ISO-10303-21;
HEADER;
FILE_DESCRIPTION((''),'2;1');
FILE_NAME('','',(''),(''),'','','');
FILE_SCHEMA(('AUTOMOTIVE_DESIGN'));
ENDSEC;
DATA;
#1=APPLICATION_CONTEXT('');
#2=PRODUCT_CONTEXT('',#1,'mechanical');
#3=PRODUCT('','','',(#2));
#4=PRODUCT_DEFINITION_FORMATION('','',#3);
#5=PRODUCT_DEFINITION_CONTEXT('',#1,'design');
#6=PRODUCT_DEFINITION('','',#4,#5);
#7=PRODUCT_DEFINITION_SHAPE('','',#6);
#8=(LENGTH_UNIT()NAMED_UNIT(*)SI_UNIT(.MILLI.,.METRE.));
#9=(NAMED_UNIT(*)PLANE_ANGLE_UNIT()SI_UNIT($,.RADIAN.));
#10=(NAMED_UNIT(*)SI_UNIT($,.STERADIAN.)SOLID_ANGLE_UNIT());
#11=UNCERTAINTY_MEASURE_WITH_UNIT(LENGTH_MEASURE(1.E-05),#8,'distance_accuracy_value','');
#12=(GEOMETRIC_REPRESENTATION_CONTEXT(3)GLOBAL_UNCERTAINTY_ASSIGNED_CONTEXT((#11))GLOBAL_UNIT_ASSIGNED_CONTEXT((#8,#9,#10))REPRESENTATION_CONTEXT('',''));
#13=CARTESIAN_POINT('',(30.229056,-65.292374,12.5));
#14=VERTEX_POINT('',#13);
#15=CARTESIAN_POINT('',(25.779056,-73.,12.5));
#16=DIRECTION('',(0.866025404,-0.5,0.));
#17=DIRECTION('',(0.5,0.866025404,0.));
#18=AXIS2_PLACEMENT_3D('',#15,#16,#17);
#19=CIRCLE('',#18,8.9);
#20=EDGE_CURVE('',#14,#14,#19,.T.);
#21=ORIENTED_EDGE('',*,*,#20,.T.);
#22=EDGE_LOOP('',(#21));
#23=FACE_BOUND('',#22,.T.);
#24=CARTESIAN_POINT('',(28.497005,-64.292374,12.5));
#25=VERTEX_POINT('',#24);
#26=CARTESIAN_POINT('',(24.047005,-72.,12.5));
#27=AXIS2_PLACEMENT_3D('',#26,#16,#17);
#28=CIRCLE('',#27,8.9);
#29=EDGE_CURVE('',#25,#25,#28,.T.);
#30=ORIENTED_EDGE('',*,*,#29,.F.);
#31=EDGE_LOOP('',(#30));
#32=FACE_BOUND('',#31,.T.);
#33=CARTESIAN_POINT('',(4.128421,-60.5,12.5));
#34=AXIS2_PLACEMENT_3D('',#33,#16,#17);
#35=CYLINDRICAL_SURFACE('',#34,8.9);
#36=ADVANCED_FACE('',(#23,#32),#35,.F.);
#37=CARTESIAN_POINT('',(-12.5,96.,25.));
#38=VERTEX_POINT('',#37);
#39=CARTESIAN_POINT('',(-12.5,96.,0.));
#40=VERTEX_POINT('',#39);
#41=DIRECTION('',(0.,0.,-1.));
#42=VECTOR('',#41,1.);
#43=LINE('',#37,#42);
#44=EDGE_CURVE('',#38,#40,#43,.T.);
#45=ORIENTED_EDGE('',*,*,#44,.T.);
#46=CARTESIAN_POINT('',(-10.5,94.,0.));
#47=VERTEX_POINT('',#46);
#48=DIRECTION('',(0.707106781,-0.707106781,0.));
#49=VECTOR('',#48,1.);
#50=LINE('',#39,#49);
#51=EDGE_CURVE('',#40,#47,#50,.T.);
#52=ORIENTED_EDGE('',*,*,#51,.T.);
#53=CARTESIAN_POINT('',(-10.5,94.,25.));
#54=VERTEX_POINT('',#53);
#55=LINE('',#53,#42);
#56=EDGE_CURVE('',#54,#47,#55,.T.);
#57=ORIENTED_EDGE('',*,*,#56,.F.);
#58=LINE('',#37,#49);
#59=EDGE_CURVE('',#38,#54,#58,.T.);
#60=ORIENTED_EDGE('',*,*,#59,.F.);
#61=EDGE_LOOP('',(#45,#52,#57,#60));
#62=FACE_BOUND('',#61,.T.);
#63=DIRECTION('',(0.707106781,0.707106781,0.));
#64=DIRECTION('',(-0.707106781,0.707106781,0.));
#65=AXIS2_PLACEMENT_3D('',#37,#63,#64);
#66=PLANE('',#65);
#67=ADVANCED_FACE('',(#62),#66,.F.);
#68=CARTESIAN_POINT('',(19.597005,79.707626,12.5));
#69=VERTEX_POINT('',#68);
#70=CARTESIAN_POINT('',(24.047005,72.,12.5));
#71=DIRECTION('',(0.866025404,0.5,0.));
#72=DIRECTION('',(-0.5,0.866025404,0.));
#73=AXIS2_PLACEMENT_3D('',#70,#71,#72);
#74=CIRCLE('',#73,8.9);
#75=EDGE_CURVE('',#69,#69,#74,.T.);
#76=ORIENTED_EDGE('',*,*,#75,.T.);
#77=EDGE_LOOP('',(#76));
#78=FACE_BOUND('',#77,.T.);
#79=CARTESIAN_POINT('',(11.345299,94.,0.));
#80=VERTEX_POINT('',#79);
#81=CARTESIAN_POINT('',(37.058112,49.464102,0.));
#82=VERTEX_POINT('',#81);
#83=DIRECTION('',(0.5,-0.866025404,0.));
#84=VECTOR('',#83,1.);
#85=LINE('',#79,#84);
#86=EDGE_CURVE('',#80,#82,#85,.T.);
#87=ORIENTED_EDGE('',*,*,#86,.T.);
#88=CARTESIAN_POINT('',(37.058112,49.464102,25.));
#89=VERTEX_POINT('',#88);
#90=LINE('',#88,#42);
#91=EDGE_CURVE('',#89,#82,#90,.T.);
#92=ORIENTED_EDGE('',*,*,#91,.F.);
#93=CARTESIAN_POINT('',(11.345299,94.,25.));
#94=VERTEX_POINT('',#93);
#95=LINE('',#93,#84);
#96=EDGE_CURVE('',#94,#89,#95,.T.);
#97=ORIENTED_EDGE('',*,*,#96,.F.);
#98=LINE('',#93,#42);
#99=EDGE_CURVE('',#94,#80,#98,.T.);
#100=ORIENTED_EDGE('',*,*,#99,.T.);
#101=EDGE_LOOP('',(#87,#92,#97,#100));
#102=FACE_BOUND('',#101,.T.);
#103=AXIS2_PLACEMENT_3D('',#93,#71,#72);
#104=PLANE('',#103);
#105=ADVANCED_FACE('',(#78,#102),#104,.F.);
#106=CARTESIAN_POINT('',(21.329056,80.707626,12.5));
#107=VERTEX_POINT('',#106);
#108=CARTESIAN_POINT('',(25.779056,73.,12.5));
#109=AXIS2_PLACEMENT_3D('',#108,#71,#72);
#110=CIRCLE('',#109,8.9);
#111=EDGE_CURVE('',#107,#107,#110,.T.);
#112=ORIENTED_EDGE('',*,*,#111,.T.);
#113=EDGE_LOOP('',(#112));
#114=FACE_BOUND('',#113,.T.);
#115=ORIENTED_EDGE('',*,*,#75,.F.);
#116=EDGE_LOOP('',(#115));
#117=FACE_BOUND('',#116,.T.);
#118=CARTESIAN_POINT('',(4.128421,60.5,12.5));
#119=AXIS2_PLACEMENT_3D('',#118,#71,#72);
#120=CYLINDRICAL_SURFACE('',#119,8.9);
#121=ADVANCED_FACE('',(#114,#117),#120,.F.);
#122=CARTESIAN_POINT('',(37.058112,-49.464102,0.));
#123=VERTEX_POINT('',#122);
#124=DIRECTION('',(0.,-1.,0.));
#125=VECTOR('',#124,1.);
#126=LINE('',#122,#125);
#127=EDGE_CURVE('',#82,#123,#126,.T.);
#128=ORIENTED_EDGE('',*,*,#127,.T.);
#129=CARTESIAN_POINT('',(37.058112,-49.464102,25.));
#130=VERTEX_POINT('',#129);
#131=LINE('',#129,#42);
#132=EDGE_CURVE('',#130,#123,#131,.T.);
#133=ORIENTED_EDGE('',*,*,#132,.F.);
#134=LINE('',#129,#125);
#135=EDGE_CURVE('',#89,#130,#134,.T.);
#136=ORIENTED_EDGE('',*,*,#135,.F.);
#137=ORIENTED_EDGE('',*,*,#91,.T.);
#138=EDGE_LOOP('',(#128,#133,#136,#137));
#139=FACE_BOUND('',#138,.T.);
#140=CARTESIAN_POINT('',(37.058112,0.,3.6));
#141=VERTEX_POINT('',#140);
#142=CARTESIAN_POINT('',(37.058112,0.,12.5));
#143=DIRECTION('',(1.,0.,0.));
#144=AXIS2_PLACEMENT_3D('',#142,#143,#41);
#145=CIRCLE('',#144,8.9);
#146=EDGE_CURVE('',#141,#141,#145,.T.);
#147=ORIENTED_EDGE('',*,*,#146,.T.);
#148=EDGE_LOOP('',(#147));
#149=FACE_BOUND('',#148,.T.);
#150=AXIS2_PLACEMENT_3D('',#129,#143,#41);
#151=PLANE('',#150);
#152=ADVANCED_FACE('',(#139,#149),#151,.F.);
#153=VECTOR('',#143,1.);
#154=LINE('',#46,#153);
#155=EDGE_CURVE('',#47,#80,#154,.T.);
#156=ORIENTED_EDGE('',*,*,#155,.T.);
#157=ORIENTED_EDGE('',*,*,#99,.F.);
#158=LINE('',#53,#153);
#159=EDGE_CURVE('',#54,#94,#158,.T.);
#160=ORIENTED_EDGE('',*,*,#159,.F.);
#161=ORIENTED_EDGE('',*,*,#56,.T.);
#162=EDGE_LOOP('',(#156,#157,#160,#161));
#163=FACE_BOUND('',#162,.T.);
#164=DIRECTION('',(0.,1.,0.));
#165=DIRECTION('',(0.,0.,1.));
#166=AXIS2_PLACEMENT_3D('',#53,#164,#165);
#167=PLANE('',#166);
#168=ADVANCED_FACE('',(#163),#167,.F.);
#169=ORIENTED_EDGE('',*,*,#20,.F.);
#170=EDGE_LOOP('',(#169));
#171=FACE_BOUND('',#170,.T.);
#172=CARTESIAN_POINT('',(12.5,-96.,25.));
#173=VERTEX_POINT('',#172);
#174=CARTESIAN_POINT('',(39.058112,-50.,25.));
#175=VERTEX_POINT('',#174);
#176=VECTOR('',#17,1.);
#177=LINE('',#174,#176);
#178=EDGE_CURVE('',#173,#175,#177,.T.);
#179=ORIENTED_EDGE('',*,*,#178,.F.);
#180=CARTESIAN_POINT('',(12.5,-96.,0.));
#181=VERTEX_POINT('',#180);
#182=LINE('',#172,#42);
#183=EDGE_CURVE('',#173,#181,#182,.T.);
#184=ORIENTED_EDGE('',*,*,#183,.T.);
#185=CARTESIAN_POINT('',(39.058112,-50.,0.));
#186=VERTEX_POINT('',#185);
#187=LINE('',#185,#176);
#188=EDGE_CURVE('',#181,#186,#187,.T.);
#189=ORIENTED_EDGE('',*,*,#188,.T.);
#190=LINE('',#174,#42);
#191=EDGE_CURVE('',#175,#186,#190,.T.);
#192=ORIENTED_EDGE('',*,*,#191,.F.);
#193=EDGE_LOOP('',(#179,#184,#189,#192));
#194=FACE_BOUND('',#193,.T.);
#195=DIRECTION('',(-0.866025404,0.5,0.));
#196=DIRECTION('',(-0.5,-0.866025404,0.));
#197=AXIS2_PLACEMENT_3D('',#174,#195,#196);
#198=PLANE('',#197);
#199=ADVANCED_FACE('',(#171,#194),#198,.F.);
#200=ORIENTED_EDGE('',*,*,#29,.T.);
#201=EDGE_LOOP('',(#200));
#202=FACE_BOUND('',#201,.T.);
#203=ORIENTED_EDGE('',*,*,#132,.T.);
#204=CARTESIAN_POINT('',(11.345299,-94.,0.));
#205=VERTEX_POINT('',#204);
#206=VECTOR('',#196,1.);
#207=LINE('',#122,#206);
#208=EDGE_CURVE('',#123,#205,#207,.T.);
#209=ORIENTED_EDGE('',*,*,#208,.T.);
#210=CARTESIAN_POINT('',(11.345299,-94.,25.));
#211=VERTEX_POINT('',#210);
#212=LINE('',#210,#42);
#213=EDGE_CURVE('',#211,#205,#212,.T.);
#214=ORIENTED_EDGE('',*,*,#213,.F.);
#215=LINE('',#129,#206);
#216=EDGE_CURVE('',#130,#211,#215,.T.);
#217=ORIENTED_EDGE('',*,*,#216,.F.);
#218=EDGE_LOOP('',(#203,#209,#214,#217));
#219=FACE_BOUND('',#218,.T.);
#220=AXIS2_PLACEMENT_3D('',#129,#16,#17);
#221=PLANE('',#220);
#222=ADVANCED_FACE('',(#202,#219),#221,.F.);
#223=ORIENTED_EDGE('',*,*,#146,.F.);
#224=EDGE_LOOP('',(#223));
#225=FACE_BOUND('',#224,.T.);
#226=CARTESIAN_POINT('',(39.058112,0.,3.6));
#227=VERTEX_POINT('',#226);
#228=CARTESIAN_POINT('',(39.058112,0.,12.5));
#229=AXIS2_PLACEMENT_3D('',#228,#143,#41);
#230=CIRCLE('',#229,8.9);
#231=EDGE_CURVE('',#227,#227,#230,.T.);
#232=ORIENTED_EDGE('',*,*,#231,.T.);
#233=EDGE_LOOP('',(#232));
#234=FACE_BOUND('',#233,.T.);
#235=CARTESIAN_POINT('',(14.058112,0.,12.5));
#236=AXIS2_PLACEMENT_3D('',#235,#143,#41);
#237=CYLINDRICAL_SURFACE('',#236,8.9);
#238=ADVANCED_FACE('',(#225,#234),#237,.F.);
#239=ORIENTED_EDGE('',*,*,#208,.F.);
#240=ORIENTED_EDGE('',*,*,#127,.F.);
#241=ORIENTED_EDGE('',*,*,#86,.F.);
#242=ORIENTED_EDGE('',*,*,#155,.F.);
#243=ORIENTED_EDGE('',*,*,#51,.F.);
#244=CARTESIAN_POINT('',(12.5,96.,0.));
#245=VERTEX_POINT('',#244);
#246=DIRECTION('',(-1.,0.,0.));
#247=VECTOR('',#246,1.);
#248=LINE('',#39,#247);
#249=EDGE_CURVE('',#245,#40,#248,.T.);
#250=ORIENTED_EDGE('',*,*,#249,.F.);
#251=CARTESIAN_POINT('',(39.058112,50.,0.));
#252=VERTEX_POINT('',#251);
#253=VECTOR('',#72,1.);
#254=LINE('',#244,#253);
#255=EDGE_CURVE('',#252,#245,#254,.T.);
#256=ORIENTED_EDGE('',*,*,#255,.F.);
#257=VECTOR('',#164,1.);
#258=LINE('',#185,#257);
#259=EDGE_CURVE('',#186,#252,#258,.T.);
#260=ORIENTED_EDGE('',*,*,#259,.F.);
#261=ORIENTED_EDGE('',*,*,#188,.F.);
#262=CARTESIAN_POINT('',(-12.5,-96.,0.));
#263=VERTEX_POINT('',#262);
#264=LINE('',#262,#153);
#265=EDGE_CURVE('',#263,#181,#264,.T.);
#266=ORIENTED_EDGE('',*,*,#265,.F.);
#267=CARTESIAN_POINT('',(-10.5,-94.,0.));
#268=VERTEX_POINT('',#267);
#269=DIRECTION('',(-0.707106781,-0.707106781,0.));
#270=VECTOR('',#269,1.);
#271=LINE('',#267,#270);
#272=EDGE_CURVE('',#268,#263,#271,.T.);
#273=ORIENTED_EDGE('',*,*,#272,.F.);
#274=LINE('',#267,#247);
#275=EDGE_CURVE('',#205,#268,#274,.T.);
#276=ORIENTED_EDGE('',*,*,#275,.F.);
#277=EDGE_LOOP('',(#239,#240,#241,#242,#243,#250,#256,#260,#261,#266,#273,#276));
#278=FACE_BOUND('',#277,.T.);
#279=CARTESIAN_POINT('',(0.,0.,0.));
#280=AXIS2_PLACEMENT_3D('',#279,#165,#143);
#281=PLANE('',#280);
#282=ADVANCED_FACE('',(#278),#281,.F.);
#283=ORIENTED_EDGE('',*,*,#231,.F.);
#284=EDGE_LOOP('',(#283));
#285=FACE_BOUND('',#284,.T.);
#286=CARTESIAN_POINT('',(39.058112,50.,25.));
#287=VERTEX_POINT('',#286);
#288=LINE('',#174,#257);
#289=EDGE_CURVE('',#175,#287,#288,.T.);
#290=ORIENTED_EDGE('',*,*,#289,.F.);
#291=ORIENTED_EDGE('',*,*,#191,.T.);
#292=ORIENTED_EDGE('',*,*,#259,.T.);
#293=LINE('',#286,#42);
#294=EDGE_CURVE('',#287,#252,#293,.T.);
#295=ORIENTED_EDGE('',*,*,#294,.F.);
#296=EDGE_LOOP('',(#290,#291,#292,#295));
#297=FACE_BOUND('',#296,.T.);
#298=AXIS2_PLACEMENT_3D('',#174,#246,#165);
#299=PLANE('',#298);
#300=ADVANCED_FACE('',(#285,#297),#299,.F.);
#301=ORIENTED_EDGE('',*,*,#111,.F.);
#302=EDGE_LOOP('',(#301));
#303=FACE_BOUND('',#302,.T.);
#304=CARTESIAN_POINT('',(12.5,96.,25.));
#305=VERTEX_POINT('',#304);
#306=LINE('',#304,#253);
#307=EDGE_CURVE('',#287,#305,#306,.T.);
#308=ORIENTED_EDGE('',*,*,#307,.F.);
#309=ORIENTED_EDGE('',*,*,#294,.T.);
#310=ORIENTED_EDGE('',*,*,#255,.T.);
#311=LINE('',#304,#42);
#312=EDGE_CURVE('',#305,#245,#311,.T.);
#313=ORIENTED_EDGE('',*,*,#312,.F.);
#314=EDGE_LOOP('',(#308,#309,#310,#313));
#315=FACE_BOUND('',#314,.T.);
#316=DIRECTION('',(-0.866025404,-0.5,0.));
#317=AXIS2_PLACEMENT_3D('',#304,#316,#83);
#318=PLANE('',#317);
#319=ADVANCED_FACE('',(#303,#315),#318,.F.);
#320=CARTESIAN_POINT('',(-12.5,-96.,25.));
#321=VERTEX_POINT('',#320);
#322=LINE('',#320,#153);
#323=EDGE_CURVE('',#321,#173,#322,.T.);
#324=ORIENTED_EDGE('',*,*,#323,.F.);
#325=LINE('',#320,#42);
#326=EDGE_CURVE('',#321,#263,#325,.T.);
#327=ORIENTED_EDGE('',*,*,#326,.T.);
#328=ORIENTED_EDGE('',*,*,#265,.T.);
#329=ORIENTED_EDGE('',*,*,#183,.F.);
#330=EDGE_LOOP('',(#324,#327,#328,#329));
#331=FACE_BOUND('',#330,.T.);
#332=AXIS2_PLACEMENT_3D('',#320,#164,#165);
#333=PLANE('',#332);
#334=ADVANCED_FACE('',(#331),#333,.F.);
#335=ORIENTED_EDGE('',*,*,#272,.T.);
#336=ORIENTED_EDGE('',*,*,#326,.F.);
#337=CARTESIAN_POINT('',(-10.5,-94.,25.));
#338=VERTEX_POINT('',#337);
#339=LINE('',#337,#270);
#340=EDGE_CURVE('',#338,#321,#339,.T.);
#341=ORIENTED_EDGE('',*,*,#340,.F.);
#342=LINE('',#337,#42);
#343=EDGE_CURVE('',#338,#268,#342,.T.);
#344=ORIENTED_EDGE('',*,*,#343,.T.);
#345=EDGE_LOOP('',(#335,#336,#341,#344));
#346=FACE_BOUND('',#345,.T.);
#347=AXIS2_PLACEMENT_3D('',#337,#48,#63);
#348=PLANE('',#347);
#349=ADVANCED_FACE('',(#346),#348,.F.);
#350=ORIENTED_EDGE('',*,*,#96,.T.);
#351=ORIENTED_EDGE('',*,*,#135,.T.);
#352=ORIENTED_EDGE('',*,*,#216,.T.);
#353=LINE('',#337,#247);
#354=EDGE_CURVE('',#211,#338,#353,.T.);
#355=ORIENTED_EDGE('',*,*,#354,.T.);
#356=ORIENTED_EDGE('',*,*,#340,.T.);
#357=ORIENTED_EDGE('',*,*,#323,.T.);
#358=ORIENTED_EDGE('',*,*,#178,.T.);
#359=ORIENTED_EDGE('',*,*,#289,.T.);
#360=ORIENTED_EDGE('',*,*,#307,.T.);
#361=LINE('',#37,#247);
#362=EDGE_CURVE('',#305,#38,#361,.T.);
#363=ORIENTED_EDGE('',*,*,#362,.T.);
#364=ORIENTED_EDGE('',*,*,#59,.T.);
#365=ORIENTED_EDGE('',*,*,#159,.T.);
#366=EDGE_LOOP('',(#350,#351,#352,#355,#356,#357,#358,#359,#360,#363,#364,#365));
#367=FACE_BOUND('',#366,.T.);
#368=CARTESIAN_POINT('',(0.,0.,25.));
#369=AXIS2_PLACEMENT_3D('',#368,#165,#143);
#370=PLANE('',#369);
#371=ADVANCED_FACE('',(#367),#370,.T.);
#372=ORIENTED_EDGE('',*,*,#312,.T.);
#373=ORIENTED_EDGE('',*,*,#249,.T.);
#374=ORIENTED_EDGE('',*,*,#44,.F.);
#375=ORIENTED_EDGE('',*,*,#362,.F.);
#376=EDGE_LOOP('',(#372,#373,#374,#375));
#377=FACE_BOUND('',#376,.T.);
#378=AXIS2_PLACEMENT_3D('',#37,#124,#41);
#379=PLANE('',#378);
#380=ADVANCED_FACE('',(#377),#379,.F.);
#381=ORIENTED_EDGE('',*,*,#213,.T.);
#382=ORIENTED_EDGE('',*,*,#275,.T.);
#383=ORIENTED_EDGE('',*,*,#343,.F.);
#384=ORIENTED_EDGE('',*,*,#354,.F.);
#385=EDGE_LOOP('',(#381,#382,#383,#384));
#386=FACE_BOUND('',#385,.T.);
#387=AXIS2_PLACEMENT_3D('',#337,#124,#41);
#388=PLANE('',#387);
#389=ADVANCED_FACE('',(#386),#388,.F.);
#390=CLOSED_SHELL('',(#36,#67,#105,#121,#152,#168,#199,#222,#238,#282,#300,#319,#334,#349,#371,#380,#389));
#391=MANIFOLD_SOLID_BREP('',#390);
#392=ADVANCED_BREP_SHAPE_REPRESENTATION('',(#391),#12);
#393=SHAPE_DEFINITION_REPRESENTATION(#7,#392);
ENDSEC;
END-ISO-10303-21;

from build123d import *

# Parameters (mm, degrees)
SALIENTE_EXTRUIR2_DEPTH = 25
CROQUIS3_R              = 8.9
CORTAR_EXTRUIR1_DEPTH   = 25
CROQUIS4_R              = 8.9
CORTAR_EXTRUIR2_DEPTH   = 25
CROQUIS5_R              = 8.9
CORTAR_EXTRUIR3_DEPTH   = 25


with BuildPart() as part:
    # Croquis1 → Saliente-Extruir2 (new body)
    with BuildSketch(Plane.XY):
        Polygon((12.5, 96), (39.058112383, 50), (39.058112383, -50), (12.5, -96), (-12.5, -96), (-10.5, -94), (11.345299462, -94), (37.058112383, -49.464101615), (37.058112383, 49.464101615), (11.345299462, 94), (-10.5, 94), (-12.5, 96), align=None)
    extrude(amount=SALIENTE_EXTRUIR2_DEPTH)

    # Croquis3 → Cortar-Extruir1 (cut)
    with BuildSketch(Plane(origin=(39.058112383, 0, 0), x_dir=(0, 0, -1), z_dir=(1, 0, 0))):
        with Locations((-12.5, 0)):
            Circle(CROQUIS3_R)
    extrude(amount=-CORTAR_EXTRUIR1_DEPTH, mode=Mode.SUBTRACT)

    # Croquis4 → Cortar-Extruir2 (cut)
    with BuildSketch(Plane(origin=(50.944219382, 29.412658774, 0), x_dir=(0, 0, -1), z_dir=(0.8660254037844347, 0.500000000000007, 0))):
        with Locations(Location((-12.5, 50.330326381, 0), (0, 0, 90))):
            Circle(CROQUIS4_R)
    extrude(amount=-CORTAR_EXTRUIR2_DEPTH, mode=Mode.SUBTRACT)

    # Croquis5 → Cortar-Extruir3 (cut)
    with BuildSketch(Plane(origin=(50.944219382, -29.412658774, 0), x_dir=(0, 0, -1), z_dir=(0.8660254037844347, -0.500000000000007, 0))):
        with Locations(Location((-12.5, -50.330326381, 0), (0, 0, 90))):
            Circle(CROQUIS5_R)
    extrude(amount=-CORTAR_EXTRUIR3_DEPTH, mode=Mode.SUBTRACT)


solid = part.part
